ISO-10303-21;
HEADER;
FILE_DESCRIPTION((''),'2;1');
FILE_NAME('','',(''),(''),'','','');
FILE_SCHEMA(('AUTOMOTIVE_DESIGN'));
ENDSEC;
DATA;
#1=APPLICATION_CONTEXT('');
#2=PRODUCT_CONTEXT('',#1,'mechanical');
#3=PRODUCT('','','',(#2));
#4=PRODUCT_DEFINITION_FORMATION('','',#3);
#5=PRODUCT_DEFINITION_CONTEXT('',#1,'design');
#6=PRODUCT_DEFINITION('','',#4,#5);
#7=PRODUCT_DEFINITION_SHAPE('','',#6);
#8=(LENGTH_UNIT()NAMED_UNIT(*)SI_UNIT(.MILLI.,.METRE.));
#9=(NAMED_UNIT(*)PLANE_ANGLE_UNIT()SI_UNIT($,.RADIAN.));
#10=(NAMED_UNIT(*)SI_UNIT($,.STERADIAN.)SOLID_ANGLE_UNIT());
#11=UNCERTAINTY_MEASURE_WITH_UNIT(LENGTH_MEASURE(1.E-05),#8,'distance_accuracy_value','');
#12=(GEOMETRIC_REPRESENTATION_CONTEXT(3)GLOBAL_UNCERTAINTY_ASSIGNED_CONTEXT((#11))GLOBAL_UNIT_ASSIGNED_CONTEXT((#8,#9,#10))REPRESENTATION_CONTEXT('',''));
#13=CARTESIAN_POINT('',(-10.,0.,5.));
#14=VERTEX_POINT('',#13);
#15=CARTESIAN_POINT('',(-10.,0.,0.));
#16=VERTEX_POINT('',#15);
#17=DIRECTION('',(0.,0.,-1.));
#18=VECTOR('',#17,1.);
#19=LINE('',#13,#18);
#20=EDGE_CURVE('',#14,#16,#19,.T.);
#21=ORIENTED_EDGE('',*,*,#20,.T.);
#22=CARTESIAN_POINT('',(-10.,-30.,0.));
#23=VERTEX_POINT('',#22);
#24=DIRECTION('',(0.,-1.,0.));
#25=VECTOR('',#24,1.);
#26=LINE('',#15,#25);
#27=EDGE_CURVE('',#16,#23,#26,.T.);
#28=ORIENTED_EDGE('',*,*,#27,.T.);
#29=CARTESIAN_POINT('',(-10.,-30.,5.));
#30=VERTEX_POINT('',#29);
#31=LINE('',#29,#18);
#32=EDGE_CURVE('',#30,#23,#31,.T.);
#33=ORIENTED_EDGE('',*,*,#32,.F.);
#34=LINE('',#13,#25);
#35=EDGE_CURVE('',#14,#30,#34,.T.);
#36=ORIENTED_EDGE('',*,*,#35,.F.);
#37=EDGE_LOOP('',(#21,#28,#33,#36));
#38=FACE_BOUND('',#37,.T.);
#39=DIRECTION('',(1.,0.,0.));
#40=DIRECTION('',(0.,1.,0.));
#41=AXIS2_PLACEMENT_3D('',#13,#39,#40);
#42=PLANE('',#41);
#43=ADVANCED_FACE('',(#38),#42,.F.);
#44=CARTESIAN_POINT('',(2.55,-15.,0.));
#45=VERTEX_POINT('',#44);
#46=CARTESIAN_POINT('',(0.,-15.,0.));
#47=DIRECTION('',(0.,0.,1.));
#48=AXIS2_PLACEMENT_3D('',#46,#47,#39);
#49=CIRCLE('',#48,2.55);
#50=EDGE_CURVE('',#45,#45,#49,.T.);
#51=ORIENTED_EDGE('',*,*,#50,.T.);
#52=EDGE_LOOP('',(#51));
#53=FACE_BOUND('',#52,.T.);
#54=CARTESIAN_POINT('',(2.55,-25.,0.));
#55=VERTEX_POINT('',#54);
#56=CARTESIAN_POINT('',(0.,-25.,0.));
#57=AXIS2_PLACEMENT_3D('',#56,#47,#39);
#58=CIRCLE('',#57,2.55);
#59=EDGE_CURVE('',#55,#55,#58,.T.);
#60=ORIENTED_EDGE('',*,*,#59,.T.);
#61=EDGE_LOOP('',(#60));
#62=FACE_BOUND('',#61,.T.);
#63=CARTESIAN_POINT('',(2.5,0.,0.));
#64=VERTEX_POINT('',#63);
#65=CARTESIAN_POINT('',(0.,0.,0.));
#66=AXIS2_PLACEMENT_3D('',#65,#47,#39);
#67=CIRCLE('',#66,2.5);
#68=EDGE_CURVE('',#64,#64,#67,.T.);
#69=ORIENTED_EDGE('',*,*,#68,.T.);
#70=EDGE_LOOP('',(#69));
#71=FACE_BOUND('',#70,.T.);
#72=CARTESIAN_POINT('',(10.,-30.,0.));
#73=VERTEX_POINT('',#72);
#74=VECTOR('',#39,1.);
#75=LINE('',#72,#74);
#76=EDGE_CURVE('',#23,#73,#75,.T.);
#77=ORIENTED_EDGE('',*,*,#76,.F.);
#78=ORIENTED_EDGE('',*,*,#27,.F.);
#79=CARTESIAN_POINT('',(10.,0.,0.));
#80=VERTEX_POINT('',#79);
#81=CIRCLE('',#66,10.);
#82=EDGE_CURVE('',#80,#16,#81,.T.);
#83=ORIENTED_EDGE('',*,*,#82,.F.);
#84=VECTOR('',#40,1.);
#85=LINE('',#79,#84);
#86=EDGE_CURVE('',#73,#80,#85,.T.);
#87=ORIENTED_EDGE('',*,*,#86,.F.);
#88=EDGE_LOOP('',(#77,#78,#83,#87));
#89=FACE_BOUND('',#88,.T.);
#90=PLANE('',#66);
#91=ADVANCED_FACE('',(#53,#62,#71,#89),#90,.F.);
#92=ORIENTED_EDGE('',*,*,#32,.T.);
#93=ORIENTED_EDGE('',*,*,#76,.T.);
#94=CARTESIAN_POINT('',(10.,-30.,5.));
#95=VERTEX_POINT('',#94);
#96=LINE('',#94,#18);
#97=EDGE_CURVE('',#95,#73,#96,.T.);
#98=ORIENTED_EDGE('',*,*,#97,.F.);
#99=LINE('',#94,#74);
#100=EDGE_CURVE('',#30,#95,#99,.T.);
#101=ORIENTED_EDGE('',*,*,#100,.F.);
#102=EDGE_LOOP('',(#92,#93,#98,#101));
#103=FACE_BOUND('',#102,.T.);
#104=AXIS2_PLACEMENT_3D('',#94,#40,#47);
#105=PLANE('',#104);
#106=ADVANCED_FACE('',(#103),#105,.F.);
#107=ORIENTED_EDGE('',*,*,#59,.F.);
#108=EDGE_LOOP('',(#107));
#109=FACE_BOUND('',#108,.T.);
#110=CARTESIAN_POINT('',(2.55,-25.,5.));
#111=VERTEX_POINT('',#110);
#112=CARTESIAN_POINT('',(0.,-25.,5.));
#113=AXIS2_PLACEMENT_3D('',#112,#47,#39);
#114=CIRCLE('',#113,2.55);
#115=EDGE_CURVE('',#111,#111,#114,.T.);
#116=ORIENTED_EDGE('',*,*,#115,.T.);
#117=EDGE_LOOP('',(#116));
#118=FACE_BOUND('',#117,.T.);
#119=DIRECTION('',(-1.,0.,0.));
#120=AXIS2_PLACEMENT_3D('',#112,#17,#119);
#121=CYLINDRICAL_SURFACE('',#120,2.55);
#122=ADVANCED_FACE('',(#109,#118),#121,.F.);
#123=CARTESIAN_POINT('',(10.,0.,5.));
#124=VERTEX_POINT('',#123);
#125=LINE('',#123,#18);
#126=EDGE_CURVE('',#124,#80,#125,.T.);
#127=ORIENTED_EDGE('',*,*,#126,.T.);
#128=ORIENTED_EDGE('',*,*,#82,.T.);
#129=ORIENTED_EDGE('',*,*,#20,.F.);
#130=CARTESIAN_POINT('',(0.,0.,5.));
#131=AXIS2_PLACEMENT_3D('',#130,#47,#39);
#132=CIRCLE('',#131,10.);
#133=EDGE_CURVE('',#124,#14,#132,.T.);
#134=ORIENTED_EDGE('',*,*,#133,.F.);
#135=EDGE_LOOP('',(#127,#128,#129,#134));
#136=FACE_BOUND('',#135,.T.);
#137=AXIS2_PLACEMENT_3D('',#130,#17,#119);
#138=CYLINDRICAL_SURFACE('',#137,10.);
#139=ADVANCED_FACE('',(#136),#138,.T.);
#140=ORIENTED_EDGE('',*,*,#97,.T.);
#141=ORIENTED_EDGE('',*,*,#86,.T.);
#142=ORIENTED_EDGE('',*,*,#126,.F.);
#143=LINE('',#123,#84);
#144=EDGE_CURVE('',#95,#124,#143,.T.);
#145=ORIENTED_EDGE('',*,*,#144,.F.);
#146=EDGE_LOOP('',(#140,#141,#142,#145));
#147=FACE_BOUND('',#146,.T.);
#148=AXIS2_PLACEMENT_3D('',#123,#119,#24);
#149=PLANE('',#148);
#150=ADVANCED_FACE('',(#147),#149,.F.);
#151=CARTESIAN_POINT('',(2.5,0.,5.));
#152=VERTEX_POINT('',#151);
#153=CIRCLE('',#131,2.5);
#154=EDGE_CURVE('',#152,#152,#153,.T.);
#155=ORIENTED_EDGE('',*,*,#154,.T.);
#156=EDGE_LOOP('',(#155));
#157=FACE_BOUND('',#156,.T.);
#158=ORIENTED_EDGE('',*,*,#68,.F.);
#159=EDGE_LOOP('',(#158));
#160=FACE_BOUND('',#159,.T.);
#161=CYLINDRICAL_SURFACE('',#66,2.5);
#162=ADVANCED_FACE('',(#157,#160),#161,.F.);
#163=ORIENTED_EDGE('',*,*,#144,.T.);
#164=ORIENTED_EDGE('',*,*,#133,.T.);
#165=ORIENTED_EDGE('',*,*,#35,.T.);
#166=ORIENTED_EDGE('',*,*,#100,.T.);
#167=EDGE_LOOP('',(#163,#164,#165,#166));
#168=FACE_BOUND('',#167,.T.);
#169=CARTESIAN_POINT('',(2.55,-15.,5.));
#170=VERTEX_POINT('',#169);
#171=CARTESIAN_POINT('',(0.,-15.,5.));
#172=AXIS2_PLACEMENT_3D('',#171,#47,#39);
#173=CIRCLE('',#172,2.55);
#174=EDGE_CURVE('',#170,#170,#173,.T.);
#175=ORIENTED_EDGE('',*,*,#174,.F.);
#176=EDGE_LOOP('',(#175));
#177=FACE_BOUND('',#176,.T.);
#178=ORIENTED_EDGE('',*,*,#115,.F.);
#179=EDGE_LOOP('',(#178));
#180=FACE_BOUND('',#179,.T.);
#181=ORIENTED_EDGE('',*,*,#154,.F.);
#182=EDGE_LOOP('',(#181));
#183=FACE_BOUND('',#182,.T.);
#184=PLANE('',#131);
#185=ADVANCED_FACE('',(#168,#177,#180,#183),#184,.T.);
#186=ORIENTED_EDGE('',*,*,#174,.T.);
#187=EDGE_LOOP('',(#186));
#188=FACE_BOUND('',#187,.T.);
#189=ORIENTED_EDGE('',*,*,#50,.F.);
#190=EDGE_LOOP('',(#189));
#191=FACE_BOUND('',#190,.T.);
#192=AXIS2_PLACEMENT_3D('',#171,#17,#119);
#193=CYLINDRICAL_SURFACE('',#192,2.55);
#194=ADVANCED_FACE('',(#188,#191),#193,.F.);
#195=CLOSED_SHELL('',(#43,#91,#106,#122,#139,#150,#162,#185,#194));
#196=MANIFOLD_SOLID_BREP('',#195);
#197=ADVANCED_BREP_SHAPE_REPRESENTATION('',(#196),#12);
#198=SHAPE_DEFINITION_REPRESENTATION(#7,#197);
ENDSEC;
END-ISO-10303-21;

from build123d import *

# Parameters (mm, degrees)
SKETCH1_R           = 2.55
BOSS_EXTRUDE1_DEPTH = 5
SKETCH2_R           = 2.5
CUT_EXTRUDE1_DEPTH  = 5


with BuildPart() as part:
    # Sketch1 → Boss-Extrude1 (new body)
    with BuildSketch(Plane.XY):
        with BuildLine():
            Line((-10, 0), (-10, -30))
            Line((-10, -30), (10, -30))
            Line((10, -30), (10, 0))
            ThreePointArc((10, 0), (0, 10), (-10, 0))
        make_face()
        with Locations((0, -25)):
            Circle(SKETCH1_R, mode=Mode.SUBTRACT)
        with Locations((0, -15)):
            Circle(SKETCH1_R, mode=Mode.SUBTRACT)
    extrude(amount=BOSS_EXTRUDE1_DEPTH)

    # Sketch2 → Cut-Extrude1 (cut)
    with BuildSketch(Plane.XY.offset(5)):
        Circle(SKETCH2_R)
    extrude(amount=-CUT_EXTRUDE1_DEPTH, mode=Mode.SUBTRACT)


solid = part.part
